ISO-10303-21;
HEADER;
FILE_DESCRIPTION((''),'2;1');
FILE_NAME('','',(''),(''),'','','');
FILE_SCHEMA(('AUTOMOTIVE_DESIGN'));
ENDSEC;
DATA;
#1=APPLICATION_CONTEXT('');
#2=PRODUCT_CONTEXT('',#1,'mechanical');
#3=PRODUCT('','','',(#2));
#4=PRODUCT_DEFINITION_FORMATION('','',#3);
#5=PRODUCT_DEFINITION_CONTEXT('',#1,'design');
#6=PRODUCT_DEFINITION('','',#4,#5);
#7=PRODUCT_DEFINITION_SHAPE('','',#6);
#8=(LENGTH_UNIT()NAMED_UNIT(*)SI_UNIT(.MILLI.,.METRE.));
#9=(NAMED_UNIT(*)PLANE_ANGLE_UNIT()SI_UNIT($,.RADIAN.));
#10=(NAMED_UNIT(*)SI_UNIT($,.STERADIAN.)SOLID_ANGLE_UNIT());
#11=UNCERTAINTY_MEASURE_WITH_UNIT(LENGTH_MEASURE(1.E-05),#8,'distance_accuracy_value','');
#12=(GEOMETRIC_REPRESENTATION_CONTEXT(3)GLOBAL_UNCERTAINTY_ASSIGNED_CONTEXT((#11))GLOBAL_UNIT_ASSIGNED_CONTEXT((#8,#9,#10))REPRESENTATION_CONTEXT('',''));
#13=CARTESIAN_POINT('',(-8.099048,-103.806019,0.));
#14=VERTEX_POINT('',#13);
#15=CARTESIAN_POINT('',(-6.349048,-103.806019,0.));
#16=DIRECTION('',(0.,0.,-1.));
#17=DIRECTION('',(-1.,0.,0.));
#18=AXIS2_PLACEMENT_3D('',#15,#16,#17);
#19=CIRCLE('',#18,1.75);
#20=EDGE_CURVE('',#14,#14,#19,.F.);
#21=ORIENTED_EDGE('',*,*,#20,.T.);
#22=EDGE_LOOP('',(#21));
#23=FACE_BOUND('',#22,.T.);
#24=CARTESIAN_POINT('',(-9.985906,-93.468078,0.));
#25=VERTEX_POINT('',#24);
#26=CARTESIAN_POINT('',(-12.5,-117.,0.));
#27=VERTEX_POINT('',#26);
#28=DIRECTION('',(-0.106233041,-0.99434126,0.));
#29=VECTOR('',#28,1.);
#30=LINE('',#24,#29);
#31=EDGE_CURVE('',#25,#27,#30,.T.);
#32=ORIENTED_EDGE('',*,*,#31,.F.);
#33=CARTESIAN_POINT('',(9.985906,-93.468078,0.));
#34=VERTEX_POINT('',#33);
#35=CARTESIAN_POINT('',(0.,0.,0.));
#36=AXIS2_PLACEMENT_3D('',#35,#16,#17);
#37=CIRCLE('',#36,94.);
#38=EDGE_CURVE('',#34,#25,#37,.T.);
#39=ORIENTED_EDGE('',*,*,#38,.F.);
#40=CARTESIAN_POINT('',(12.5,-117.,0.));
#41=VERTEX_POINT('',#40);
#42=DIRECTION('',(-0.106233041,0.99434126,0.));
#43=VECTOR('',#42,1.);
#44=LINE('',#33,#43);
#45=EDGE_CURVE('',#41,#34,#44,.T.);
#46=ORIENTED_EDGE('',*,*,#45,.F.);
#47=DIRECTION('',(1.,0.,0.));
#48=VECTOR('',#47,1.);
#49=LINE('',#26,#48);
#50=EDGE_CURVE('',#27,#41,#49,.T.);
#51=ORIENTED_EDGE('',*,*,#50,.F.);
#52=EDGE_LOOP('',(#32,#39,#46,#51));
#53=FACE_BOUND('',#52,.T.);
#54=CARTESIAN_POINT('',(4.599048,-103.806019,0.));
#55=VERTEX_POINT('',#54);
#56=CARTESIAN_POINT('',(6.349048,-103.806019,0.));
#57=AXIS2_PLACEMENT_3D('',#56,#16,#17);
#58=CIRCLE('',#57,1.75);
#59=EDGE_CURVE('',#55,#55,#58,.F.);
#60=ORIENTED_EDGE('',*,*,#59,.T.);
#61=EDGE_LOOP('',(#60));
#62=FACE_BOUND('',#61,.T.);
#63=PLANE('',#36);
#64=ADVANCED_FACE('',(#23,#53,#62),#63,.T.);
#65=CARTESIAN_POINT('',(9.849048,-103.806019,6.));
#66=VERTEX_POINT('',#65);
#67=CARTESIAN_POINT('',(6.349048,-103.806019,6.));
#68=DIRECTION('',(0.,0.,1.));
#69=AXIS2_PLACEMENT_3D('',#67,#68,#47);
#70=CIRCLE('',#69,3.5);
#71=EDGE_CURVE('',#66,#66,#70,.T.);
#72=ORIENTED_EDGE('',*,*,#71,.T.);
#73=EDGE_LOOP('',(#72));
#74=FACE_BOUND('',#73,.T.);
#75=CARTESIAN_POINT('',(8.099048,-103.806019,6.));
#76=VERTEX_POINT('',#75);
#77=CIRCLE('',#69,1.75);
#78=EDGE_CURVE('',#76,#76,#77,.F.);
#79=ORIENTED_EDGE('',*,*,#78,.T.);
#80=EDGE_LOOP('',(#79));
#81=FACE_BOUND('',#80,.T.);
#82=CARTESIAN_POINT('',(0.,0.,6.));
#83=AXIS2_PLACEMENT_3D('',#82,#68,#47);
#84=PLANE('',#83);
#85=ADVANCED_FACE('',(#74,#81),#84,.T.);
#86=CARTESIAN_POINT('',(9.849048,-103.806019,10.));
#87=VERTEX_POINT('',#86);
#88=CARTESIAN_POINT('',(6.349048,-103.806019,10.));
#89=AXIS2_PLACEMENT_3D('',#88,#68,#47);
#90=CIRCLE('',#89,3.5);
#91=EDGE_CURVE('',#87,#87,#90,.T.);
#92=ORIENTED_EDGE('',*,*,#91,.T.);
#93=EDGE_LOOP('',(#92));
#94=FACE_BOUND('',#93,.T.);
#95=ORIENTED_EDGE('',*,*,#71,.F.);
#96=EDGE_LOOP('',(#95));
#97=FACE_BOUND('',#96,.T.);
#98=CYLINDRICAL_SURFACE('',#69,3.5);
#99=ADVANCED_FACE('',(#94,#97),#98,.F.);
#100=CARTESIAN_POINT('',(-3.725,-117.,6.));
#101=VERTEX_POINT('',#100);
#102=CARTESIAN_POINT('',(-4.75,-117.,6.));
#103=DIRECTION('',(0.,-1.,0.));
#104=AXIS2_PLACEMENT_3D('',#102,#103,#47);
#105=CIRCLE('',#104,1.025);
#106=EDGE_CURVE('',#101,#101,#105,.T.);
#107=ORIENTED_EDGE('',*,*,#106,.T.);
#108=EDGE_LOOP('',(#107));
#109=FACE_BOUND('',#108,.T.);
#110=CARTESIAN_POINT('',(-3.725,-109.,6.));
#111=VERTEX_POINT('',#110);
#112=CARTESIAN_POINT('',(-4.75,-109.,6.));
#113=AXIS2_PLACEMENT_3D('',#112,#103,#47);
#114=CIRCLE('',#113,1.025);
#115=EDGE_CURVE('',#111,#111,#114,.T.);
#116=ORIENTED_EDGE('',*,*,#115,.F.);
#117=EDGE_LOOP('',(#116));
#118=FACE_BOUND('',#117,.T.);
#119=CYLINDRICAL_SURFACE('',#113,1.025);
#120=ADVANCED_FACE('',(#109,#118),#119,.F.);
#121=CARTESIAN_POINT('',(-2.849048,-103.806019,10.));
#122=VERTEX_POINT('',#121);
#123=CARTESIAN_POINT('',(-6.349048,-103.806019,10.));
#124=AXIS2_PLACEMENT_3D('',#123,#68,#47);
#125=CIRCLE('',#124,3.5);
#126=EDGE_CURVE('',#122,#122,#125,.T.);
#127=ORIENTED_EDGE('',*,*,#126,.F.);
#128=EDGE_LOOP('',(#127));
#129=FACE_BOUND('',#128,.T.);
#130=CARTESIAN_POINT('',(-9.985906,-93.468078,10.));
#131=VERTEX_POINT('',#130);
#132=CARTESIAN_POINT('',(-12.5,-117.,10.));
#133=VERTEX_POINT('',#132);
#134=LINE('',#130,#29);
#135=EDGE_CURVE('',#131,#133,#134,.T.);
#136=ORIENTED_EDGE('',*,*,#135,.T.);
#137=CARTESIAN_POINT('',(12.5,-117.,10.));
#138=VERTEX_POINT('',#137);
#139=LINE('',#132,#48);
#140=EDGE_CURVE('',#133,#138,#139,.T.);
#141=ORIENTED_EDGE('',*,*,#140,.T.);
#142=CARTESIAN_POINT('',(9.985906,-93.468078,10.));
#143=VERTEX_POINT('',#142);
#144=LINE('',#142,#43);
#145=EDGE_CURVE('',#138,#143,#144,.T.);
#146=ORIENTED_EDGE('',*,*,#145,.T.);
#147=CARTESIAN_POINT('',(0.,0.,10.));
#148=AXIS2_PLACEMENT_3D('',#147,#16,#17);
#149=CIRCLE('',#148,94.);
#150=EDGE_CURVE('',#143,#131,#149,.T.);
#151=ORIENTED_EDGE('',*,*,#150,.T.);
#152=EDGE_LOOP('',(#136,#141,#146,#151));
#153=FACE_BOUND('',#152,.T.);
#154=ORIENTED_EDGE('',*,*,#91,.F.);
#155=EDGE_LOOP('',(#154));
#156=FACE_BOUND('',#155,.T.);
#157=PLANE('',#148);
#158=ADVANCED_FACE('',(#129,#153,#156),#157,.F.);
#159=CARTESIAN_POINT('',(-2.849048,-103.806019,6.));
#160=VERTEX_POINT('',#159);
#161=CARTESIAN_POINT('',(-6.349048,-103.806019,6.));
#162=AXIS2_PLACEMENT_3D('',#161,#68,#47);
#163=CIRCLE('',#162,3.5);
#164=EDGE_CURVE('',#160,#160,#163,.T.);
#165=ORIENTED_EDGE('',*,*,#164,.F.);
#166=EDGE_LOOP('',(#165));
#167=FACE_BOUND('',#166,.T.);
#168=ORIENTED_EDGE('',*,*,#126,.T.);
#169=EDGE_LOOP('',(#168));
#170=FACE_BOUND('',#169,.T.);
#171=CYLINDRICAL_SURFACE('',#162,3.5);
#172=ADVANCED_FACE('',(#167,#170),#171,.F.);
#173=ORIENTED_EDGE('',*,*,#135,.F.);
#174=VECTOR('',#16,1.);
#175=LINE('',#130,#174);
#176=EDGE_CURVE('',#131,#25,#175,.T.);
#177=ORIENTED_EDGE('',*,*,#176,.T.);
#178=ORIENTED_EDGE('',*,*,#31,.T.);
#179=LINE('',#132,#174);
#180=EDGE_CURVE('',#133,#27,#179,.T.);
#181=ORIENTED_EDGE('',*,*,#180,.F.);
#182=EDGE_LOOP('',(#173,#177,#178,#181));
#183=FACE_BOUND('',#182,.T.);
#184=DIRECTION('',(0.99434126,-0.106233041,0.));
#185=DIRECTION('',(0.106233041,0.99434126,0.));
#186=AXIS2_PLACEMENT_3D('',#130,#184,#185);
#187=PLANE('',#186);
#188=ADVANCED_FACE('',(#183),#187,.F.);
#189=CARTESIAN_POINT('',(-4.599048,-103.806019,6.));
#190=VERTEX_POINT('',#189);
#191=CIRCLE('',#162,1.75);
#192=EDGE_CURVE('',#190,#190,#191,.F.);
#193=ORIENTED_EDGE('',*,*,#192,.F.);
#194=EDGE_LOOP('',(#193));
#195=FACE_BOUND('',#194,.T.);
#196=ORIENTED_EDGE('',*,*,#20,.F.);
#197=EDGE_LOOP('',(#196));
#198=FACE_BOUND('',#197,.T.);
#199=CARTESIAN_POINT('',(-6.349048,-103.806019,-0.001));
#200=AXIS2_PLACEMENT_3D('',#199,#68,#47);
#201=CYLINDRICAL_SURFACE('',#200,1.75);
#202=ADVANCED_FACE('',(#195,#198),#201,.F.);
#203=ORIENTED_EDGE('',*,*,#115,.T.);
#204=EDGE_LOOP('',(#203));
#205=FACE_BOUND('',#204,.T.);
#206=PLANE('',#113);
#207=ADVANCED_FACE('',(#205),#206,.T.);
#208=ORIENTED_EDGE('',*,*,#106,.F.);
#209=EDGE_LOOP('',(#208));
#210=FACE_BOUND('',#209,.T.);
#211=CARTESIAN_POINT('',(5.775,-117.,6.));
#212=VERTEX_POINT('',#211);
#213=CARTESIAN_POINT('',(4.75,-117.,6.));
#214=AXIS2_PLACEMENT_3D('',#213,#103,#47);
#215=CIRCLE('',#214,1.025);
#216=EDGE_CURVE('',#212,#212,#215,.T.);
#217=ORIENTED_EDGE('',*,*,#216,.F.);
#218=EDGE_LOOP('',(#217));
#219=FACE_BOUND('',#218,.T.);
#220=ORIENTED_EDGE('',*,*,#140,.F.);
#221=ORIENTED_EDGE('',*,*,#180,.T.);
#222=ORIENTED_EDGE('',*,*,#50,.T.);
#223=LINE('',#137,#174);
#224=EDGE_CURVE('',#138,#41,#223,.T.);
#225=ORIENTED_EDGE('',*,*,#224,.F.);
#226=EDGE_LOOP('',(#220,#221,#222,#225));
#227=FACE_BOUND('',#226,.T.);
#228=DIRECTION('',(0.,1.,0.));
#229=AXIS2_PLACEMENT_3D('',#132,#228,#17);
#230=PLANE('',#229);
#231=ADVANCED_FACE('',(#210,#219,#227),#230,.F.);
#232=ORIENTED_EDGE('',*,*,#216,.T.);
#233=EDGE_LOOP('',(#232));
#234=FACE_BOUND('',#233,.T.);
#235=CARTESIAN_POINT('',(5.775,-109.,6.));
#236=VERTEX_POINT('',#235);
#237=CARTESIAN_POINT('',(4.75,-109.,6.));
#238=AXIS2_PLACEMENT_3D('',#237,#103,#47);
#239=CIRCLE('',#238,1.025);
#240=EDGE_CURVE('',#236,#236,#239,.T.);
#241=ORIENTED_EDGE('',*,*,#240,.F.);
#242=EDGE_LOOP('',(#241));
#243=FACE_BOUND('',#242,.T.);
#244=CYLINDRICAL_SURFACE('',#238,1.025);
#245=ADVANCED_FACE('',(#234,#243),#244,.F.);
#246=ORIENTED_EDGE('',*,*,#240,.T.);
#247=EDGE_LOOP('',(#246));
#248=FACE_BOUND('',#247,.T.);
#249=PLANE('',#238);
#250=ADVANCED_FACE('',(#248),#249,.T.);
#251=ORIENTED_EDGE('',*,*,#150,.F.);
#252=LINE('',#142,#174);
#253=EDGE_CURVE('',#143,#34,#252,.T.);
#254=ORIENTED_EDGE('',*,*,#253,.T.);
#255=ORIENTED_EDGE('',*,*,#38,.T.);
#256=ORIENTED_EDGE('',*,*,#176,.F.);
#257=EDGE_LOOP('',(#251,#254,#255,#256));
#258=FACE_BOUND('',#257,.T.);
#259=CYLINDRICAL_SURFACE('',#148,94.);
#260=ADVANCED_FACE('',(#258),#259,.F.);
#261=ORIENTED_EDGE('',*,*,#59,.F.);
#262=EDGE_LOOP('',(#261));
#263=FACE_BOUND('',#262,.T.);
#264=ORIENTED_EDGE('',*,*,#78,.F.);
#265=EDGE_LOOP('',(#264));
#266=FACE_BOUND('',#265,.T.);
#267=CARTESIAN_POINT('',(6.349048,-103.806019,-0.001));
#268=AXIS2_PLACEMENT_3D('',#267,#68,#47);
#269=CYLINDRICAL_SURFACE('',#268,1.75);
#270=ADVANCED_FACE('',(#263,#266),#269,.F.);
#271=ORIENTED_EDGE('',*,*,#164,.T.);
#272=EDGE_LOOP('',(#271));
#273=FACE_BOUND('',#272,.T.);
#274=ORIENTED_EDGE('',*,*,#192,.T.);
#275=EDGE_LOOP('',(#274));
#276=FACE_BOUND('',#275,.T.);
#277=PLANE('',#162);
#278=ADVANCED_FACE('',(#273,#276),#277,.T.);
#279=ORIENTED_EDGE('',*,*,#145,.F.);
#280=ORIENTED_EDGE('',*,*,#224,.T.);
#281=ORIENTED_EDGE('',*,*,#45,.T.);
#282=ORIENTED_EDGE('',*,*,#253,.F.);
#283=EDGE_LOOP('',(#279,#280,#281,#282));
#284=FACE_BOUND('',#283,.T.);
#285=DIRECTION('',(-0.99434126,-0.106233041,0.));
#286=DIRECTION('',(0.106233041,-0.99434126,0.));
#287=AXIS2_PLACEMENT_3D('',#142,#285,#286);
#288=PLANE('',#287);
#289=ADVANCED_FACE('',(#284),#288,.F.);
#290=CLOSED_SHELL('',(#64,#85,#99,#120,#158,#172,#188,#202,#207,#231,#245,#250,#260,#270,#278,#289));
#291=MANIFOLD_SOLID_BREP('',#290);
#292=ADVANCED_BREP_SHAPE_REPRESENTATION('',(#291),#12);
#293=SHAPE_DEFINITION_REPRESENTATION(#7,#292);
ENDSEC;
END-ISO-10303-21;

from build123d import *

# Parameters (mm, degrees)
BOSS_EXTRU_1_DEPTH      = 10
ESQUISSE2_R             = 1.025
ENL_V_MAT_EXTRU_1_DEPTH = 8
ENL_V_MAT_EXTRU_2_REACH = 120.09
ESQUISSE3_R             = 1.75
ESQUISSE4_R             = 3.5
ESQUISSE4_R_2           = 1.75
ENL_V_MAT_EXTRU_3_DEPTH = 4


with BuildPart() as part:
    # Esquisse1 → Boss.-Extru.1 (new body)
    with BuildSketch(Plane.XY):
        with BuildLine():
            Line((-12.5, -117), (12.5, -117))
            Line((12.5, -117), (9.985905815, -93.468078428))
            ThreePointArc((9.985905815, -93.468078428), (0, -94), (-9.985905815, -93.468078428))
            Line((-9.985905815, -93.468078428), (-12.5, -117))
        make_face()
    extrude(amount=BOSS_EXTRU_1_DEPTH)

    # Esquisse2 → Enlèv. mat.-Extru.1 (cut)
    with BuildSketch(Plane.XZ.offset(117)):
        with Locations((-4.75, 6)):
            Circle(ESQUISSE2_R)
        with Locations((4.75, 6)):
            Circle(ESQUISSE2_R)
    extrude(amount=-ENL_V_MAT_EXTRU_1_DEPTH, mode=Mode.SUBTRACT)

    # Esquisse3 → Enlèv. mat.-Extru.2 (cut, up to next)
    with BuildSketch(Plane.XY.offset(10), mode=Mode.PRIVATE) as enl_v_mat_extru_2_sk1:
        with Locations((-6.349048112, -103.806019036)):
            Circle(ESQUISSE3_R)
    enl_v_mat_extru_2_tool1 = extrude(enl_v_mat_extru_2_sk1.sketch, amount=-ENL_V_MAT_EXTRU_2_REACH, mode=Mode.PRIVATE) & part.part
    # Esquisse3 → Enlèv. mat.-Extru.2 (cut, up to next)
    with BuildSketch(Plane.XY.offset(10), mode=Mode.PRIVATE) as enl_v_mat_extru_2_sk2:
        with Locations((6.349048112, -103.806019036)):
            Circle(ESQUISSE3_R)
    enl_v_mat_extru_2_tool2 = extrude(enl_v_mat_extru_2_sk2.sketch, amount=-ENL_V_MAT_EXTRU_2_REACH, mode=Mode.PRIVATE) & part.part
    add(enl_v_mat_extru_2_tool1.solids().sort_by_distance((-6.349048, -103.806019, 10))[0], mode=Mode.SUBTRACT)
    add(enl_v_mat_extru_2_tool2.solids().sort_by_distance((6.349048, -103.806019, 10))[0], mode=Mode.SUBTRACT)

    # Esquisse4 → Enlèv. mat.-Extru.3 (cut)
    # profile 1 of 2: a face of its own
    with BuildSketch(Plane.XY.offset(10)):
        with Locations((6.349048112, -103.806019036)):
            Circle(ESQUISSE4_R)
        with Locations((6.349048112, -103.806019036)):
            Circle(ESQUISSE4_R_2, mode=Mode.SUBTRACT)
    # profile 2 of 2: a face of its own
    with BuildSketch(Plane.XY.offset(10)):
        with Locations((-6.349048112, -103.806019036)):
            Circle(ESQUISSE4_R)
    extrude(amount=-ENL_V_MAT_EXTRU_3_DEPTH, mode=Mode.SUBTRACT)


solid = part.part
